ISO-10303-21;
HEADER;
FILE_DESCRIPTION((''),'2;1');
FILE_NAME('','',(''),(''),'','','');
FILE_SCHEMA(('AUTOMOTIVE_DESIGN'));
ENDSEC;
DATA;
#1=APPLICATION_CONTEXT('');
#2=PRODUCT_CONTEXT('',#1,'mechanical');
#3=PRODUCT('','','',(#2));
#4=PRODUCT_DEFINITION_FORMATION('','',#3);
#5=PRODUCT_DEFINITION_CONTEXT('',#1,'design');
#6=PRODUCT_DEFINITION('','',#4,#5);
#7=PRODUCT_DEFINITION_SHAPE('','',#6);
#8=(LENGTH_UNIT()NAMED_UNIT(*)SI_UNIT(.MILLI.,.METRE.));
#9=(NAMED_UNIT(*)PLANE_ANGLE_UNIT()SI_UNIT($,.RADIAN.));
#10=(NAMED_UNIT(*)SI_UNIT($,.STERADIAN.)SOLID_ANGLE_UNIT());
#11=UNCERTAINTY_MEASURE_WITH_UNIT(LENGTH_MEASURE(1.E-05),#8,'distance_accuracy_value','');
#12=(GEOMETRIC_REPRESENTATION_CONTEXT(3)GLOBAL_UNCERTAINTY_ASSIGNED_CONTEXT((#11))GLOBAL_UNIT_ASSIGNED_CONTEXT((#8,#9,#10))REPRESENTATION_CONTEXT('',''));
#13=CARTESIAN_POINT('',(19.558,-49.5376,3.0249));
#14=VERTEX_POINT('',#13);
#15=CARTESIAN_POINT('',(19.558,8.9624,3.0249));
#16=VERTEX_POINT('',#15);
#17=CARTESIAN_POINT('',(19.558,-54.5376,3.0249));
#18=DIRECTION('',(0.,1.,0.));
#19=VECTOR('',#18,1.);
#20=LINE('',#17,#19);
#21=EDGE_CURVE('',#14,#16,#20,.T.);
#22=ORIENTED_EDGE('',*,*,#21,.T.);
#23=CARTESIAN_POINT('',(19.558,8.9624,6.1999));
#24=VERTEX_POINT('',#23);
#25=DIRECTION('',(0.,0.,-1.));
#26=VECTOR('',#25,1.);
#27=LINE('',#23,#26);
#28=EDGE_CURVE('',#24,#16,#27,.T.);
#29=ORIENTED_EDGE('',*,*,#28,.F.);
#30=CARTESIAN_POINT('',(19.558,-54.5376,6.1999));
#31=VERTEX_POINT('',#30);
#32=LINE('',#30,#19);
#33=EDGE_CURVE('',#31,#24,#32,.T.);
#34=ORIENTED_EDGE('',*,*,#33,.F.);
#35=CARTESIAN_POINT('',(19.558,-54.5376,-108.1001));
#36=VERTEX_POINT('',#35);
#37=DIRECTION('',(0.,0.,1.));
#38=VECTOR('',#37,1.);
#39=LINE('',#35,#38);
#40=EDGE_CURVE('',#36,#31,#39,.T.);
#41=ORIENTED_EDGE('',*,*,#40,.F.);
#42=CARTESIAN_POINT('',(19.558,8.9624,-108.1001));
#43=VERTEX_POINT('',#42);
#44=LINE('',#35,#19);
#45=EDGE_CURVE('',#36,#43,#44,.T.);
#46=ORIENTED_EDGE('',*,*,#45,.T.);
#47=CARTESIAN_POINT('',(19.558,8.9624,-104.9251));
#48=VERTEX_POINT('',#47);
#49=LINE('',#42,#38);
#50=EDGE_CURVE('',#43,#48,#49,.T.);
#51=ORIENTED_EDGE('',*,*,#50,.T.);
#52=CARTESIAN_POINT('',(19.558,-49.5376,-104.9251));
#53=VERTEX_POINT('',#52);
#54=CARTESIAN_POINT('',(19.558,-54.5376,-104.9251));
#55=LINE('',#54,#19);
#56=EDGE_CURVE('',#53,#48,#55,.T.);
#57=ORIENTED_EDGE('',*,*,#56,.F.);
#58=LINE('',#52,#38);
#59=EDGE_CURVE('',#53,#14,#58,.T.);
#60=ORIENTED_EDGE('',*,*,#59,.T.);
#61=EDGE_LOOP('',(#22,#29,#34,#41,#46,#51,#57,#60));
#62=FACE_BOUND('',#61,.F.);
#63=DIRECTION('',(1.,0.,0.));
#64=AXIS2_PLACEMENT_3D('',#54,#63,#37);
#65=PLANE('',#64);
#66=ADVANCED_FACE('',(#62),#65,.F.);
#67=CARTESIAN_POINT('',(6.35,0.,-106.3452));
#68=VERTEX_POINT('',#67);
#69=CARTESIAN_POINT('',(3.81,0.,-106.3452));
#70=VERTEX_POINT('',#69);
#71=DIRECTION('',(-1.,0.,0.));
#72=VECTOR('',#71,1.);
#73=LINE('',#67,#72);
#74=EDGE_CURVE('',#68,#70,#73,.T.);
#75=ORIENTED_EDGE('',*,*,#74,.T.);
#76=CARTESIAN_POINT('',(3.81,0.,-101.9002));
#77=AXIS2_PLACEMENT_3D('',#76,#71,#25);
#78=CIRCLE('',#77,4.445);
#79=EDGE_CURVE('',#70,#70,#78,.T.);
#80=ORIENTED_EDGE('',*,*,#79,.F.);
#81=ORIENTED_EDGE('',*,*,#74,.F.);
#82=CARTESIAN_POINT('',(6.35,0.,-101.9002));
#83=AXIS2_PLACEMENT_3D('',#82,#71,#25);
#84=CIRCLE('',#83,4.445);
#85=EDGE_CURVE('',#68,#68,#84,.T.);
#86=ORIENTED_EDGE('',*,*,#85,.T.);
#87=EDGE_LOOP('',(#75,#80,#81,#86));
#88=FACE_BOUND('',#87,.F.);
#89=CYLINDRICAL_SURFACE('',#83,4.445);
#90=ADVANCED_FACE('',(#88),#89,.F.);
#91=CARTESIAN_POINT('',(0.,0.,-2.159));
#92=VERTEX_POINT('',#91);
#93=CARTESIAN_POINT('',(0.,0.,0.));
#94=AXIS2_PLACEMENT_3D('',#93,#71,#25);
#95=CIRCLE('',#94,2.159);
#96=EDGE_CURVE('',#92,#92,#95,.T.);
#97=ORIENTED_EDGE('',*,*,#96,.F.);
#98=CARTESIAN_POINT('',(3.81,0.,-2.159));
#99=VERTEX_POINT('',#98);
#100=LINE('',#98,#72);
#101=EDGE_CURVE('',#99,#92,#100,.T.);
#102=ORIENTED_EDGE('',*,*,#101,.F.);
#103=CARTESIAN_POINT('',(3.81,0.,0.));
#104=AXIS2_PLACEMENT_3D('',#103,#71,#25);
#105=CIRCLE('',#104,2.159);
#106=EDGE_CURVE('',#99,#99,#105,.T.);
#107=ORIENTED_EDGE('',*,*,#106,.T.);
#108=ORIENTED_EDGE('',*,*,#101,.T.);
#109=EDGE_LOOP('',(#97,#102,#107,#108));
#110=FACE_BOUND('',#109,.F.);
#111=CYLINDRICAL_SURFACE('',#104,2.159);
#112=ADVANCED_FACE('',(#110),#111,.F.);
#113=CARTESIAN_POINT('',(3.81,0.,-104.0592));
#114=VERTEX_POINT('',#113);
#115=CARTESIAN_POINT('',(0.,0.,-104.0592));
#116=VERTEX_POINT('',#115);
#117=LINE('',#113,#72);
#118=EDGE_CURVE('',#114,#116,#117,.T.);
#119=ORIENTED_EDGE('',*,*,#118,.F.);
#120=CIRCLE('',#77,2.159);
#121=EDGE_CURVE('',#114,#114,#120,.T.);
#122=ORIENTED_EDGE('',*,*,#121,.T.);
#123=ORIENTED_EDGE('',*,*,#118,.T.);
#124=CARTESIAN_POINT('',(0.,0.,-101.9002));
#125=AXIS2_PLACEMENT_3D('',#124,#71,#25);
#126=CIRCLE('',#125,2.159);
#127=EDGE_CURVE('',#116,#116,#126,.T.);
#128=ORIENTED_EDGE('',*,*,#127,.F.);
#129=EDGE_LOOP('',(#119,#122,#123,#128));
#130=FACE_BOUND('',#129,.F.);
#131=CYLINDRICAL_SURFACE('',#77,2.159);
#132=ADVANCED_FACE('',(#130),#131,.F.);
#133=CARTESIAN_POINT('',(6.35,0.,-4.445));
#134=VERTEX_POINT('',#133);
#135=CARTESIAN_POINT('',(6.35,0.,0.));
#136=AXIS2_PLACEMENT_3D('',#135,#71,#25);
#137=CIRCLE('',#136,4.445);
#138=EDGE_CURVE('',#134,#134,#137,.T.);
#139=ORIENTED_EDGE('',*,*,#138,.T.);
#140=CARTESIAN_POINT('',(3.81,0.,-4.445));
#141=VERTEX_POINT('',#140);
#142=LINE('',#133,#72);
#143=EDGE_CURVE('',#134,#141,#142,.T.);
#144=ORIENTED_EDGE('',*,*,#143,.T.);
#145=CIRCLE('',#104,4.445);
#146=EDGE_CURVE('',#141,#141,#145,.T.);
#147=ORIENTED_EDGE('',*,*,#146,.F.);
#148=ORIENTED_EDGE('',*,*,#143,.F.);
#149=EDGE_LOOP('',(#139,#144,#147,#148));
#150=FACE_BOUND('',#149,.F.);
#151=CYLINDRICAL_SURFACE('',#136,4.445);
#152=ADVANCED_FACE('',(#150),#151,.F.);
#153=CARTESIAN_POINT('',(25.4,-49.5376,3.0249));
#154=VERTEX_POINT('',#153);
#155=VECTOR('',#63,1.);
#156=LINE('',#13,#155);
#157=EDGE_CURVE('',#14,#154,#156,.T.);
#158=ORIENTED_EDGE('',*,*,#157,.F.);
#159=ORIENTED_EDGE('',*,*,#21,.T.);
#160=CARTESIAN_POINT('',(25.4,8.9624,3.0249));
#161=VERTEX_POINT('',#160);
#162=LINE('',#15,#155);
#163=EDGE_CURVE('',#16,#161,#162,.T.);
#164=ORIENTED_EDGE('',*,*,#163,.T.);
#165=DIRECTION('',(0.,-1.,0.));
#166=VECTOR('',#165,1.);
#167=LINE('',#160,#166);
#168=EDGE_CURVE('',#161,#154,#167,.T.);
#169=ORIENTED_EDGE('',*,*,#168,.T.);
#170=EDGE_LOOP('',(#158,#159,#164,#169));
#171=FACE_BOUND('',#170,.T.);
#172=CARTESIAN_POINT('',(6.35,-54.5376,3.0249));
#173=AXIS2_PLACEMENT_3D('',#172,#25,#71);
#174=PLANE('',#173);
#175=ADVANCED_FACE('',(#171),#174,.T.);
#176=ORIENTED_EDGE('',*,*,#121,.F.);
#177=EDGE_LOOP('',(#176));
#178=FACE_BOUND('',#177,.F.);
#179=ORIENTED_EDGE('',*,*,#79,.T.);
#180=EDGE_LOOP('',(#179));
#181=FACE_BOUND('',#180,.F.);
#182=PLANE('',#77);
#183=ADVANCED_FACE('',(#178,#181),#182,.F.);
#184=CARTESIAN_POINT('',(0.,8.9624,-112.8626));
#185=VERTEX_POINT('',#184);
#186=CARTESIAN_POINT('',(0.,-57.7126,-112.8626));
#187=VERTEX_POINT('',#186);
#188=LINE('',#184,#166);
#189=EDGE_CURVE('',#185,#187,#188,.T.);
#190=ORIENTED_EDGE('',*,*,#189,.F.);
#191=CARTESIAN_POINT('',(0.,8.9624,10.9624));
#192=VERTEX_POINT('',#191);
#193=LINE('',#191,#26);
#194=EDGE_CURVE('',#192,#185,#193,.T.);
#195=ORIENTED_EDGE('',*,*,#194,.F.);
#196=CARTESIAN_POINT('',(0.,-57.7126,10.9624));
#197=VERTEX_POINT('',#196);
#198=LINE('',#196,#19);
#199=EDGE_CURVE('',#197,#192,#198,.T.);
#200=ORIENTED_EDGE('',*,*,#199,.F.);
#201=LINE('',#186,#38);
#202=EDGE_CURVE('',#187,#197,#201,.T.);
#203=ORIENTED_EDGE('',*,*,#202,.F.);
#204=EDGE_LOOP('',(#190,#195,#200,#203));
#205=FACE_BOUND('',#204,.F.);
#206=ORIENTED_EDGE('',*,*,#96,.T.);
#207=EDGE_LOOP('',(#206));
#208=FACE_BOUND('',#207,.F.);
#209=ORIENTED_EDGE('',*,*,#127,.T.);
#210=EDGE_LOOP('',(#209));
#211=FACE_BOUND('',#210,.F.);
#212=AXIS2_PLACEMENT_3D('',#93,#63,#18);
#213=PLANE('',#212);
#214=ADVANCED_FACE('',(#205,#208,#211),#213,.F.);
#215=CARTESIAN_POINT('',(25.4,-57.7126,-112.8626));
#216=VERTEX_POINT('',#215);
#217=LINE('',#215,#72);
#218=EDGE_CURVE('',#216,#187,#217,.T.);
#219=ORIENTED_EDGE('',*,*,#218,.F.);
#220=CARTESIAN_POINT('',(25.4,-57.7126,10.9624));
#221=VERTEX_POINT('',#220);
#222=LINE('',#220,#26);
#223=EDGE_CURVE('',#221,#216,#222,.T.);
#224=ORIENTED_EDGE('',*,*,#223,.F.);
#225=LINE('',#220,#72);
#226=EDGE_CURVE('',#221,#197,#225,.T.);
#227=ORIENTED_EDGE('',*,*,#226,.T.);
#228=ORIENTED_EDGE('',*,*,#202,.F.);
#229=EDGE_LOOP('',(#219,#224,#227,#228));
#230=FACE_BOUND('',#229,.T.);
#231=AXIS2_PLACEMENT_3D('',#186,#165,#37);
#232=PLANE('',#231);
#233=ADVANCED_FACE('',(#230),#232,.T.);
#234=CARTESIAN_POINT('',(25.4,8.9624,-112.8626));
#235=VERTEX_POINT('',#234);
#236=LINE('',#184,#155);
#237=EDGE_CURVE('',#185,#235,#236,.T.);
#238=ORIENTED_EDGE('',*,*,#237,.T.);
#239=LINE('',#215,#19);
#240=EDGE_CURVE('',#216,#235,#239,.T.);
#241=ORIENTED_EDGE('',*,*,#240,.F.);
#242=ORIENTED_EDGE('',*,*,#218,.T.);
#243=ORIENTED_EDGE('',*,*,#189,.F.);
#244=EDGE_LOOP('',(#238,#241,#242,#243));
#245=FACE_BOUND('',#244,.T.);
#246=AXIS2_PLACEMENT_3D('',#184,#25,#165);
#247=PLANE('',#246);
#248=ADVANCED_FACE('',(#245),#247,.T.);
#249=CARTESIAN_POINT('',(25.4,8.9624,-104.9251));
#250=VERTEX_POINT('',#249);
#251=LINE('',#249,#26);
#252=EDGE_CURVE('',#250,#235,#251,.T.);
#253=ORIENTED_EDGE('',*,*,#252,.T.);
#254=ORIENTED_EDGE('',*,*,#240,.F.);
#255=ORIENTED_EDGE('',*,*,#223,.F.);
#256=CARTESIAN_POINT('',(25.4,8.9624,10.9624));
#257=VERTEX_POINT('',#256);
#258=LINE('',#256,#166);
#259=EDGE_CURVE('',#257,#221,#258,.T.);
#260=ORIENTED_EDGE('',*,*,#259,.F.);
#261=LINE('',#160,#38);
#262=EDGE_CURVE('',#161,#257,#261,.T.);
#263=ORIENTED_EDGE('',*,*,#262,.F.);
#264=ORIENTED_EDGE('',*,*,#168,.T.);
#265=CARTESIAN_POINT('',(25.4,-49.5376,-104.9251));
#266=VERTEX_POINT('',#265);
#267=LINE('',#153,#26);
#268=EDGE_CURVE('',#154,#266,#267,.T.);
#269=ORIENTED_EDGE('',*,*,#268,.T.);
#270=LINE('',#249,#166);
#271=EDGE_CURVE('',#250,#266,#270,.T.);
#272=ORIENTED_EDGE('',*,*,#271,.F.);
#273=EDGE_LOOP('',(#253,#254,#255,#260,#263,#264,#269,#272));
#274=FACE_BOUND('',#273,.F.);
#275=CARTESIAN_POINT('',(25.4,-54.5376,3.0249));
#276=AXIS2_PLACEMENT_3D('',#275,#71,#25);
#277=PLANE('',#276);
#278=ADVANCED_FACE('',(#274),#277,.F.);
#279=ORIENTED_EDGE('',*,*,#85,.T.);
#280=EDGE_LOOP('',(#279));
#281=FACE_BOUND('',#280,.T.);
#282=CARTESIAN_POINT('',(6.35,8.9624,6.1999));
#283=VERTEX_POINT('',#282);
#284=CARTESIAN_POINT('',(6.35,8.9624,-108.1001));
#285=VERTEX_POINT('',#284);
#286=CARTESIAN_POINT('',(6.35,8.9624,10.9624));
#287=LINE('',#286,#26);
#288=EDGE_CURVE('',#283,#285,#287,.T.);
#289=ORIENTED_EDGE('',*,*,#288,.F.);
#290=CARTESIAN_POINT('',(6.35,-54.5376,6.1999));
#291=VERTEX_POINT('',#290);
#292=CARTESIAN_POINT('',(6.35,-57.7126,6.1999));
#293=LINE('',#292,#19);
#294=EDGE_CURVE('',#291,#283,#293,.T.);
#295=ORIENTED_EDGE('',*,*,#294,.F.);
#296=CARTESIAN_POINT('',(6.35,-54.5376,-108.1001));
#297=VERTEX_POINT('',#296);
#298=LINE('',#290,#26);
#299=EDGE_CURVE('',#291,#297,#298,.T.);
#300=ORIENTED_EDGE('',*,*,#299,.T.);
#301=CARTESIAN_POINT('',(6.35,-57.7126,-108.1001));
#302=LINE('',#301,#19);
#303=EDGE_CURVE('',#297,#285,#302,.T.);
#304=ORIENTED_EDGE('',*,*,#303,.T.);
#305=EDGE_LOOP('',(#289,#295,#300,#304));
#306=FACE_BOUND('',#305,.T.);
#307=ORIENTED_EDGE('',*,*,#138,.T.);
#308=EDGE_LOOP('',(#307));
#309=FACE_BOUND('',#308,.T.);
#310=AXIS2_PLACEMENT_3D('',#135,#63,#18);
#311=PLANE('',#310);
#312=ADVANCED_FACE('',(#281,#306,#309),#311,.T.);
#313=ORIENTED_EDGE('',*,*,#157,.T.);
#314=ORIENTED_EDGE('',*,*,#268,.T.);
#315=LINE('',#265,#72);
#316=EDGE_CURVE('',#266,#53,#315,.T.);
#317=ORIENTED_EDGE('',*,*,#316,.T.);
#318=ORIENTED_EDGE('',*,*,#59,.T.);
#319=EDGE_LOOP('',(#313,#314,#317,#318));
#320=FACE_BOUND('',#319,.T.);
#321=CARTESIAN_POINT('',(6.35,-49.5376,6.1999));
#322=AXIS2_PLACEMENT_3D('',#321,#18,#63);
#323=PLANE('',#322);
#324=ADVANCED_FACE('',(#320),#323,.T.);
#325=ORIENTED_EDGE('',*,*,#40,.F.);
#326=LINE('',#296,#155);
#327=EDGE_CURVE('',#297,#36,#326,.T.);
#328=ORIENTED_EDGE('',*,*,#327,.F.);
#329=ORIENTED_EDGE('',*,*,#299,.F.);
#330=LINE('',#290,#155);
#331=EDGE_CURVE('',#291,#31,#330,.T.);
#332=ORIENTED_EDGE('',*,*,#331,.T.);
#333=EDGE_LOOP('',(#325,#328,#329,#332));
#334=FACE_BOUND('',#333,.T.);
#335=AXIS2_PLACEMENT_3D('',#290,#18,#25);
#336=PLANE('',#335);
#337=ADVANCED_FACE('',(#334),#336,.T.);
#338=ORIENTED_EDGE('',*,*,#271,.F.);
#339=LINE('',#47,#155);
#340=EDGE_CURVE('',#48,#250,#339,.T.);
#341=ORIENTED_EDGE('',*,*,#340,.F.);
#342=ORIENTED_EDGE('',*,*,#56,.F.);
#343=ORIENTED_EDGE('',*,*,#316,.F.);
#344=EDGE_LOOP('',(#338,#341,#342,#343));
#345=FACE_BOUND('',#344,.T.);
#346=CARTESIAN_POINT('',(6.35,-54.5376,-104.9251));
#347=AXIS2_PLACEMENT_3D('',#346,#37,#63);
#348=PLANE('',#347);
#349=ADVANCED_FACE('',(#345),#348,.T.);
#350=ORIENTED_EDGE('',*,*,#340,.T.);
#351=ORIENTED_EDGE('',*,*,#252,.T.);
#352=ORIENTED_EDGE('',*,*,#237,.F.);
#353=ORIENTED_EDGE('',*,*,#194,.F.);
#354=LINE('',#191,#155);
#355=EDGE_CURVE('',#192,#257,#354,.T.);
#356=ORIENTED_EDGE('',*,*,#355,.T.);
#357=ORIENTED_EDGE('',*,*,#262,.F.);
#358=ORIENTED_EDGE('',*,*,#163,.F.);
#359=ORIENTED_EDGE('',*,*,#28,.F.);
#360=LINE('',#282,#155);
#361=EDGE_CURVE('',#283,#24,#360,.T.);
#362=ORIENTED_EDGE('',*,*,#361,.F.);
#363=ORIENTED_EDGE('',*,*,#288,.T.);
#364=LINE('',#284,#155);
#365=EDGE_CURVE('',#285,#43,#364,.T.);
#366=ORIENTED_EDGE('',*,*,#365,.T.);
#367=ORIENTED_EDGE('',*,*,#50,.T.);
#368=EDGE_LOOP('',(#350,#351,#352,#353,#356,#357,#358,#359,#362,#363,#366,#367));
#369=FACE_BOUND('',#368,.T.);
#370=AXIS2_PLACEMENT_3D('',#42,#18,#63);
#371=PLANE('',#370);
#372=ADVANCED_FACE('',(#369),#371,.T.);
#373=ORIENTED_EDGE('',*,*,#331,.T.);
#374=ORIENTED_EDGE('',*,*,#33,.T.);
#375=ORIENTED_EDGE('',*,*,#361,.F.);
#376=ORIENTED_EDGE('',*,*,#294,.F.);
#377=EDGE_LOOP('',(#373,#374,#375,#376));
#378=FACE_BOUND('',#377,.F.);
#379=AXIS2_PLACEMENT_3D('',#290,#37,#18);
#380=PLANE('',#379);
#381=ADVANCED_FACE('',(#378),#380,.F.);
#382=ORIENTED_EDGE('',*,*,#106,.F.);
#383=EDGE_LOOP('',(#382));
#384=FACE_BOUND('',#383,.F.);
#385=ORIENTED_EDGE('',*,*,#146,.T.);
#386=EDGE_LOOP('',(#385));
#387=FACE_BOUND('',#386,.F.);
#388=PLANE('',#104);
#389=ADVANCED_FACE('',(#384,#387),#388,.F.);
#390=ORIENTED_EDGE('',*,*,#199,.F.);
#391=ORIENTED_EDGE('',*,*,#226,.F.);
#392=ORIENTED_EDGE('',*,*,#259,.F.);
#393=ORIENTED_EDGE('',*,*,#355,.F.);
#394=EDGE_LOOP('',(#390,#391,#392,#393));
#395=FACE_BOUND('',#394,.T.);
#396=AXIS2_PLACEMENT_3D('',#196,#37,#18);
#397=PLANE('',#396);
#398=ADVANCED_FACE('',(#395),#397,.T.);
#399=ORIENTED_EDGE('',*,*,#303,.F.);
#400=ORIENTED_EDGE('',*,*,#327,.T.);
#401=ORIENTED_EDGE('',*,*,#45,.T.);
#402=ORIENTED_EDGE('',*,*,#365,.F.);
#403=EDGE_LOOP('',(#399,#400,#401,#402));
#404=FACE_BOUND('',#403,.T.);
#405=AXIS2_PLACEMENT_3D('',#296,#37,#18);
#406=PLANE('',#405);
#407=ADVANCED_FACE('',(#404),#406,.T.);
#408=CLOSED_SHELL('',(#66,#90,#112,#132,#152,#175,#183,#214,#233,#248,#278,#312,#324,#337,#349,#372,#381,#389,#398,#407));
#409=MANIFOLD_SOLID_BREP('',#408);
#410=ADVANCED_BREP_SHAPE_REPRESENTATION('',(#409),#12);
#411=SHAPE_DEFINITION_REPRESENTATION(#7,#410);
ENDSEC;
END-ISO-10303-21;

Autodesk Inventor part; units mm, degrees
ref_plane "YZ Plane" through (0, 0, 0) normal (1, 0, 0) x (0, 1, 0)
ref_plane "XZ Plane" through (0, 0, 0) normal (0, 1, 0) x (-1, 0, 0)
ref_plane "XY Plane" through (0, 0, 0) normal (0, 0, 1) x (1, 0, 0)
sketch "Sketch1" plane through (0, 0, 0) normal (1, 0, 0) x (0, 1, 0)
  circle A0 centre (0, 0) radius 3.9624 construction
  line L0 (3.9624, 0) -> (8.9624, 0) construction
  line L1 (0, 3.9624) -> (0, 10.9624) construction
  circle A1 centre (0, -101.9002) radius 3.9624 construction
  line L2 (3.9624, -101.9002) -> (8.9624, -101.9002) construction
  line L3 (0, -105.8626) -> (0, -112.8626) construction
  line L4 (8.9624, -112.8626) -> (-57.7126, -112.8626)
  line L5 (-57.7126, -112.8626) -> (-57.7126, 10.9624)
  line L6 (-57.7126, 10.9624) -> (8.9624, 10.9624)
  line L7 (8.9624, 10.9624) -> (8.9624, -112.8626)
  dimension "d0" = 7.9248
  dimension "d1" = 5
  dimension "d13" = 7
  dimension "d15" = 7.9248
  dimension "d16" = 5
  dimension "d17" = 7
extrude "Back plate" add sketch "Sketch1" along normal blind 6.35
sketch "Sketch5" plane through (6.35, 0, 0) normal (1, 0, 0) x (0, 0, -1)
  circle A0 centre (101.9002, 0) radius 3.9624 projected
  circle A1 centre (0, 0) radius 3.9624 projected
hole "Screw holes" at (6.35, 0, 0) at (6.35, 0, -101.9002) direction (-1, 0, 0) diameter 4.318 end through all counterbore diameter 8.89 counterbore depth 2.54
sketch "Sketch3" plane through (6.35, 0, 0) normal (1, 0, 0) x (0, 0, -1)
  line L0 (-10.9624, 8.9624) -> (-6.1999, 8.9624) construction
  line L1 (-10.9624, 8.9624) -> (-10.9624, -57.7126) projected
  line L2 (-6.1999, 8.9624) -> (-10.9624, 8.9624)
  line L3 (-10.9624, 8.9624) -> (-10.9624, -57.7126)
  line L4 (-10.9624, -57.7126) -> (-6.1999, -57.7126)
  line L5 (-6.1999, -57.7126) -> (-6.1999, 8.9624)
  line L6 (112.8626, -57.7126) -> (112.8626, 8.9624) projected
  line L7 (112.8626, 8.9624) -> (108.1001, 8.9624) construction
  line L8 (108.1001, 8.9624) -> (112.8626, 8.9624)
  line L9 (112.8626, 8.9624) -> (112.8626, -57.7126)
  line L10 (112.8626, -57.7126) -> (108.1001, -57.7126)
  line L11 (108.1001, -57.7126) -> (108.1001, 8.9624)
  line L12 (-6.1999, -54.5376) -> (108.1001, -54.5376)
  line L13 (108.1001, -54.5376) -> (108.1001, -57.7126)
  line L14 (108.1001, -57.7126) -> (-6.1999, -57.7126)
  point P0 (0, 0)
  point P1 (112.8626, 8.9624)
  dimension "d21" = 4.7625
  dimension "d22" = 4.7625
  dimension "d23" = 3.175
extrude "Sides and bottom" add sketch "Sketch3" along normal blind 19.05
sketch "Sketch4" plane through (6.35, -54.5376, 6.1999) normal (0, 0, -1) x (-1, 0, 0)
  line L0 (0, 63.5) -> (-19.05, 63.5) construction
  line L1 (0, 0) -> (-19.05, 0) projected
  line L2 (-19.05, 0) -> (-13.208, 0)
  line L3 (-13.208, 0) -> (-13.208, 63.5)
  line L4 (-13.208, 63.5) -> (-19.05, 63.5)
  line L5 (-19.05, 63.5) -> (-19.05, 0)
  point P0 (6.35, 54.5376)
  dimension "d28" = 5.842
extrude "Left lip" add sketch "Sketch4" along normal blind 3.175
sketch "Sketch6" plane through (6.35, -54.5376, -108.1001) normal (0, 0, 1) x (1, 0, 0)
  line L0 (19.05, 63.5) -> (19.05, 0) construction
  line L1 (19.05, 63.5) -> (13.208, 63.5) construction
  line L2 (0, 63.5) -> (19.05, 63.5) construction
  line L3 (19.05, 0) -> (13.208, 0)
  line L4 (13.208, 0) -> (13.208, 63.5)
  line L5 (13.208, 63.5) -> (19.05, 63.5)
  line L6 (19.05, 63.5) -> (19.05, 0)
  point P0 (-6.35, 54.5376)
  dimension "d38" = 5.842
extrude "Right lip" add sketch "Sketch6" along normal blind 3.175
sketch "Sketch7" plane through (6.35, -54.5376, 6.1999) normal (0, 1, 0) x (1, 0, 0)
  line L0 (13.208, 0) -> (13.208, 3.175) projected
  line L1 (13.208, 3.175) -> (19.05, 3.175)
  line L2 (19.05, 3.175) -> (19.05, 111.125)
  line L3 (19.05, 111.125) -> (13.208, 111.125)
  line L4 (13.208, 111.125) -> (13.208, 3.175)
  point P0 (-6.35, 6.1999)
extrude "Bottom lip" add sketch "Sketch7" along normal blind 5
properties part number "License Plate Holder"
